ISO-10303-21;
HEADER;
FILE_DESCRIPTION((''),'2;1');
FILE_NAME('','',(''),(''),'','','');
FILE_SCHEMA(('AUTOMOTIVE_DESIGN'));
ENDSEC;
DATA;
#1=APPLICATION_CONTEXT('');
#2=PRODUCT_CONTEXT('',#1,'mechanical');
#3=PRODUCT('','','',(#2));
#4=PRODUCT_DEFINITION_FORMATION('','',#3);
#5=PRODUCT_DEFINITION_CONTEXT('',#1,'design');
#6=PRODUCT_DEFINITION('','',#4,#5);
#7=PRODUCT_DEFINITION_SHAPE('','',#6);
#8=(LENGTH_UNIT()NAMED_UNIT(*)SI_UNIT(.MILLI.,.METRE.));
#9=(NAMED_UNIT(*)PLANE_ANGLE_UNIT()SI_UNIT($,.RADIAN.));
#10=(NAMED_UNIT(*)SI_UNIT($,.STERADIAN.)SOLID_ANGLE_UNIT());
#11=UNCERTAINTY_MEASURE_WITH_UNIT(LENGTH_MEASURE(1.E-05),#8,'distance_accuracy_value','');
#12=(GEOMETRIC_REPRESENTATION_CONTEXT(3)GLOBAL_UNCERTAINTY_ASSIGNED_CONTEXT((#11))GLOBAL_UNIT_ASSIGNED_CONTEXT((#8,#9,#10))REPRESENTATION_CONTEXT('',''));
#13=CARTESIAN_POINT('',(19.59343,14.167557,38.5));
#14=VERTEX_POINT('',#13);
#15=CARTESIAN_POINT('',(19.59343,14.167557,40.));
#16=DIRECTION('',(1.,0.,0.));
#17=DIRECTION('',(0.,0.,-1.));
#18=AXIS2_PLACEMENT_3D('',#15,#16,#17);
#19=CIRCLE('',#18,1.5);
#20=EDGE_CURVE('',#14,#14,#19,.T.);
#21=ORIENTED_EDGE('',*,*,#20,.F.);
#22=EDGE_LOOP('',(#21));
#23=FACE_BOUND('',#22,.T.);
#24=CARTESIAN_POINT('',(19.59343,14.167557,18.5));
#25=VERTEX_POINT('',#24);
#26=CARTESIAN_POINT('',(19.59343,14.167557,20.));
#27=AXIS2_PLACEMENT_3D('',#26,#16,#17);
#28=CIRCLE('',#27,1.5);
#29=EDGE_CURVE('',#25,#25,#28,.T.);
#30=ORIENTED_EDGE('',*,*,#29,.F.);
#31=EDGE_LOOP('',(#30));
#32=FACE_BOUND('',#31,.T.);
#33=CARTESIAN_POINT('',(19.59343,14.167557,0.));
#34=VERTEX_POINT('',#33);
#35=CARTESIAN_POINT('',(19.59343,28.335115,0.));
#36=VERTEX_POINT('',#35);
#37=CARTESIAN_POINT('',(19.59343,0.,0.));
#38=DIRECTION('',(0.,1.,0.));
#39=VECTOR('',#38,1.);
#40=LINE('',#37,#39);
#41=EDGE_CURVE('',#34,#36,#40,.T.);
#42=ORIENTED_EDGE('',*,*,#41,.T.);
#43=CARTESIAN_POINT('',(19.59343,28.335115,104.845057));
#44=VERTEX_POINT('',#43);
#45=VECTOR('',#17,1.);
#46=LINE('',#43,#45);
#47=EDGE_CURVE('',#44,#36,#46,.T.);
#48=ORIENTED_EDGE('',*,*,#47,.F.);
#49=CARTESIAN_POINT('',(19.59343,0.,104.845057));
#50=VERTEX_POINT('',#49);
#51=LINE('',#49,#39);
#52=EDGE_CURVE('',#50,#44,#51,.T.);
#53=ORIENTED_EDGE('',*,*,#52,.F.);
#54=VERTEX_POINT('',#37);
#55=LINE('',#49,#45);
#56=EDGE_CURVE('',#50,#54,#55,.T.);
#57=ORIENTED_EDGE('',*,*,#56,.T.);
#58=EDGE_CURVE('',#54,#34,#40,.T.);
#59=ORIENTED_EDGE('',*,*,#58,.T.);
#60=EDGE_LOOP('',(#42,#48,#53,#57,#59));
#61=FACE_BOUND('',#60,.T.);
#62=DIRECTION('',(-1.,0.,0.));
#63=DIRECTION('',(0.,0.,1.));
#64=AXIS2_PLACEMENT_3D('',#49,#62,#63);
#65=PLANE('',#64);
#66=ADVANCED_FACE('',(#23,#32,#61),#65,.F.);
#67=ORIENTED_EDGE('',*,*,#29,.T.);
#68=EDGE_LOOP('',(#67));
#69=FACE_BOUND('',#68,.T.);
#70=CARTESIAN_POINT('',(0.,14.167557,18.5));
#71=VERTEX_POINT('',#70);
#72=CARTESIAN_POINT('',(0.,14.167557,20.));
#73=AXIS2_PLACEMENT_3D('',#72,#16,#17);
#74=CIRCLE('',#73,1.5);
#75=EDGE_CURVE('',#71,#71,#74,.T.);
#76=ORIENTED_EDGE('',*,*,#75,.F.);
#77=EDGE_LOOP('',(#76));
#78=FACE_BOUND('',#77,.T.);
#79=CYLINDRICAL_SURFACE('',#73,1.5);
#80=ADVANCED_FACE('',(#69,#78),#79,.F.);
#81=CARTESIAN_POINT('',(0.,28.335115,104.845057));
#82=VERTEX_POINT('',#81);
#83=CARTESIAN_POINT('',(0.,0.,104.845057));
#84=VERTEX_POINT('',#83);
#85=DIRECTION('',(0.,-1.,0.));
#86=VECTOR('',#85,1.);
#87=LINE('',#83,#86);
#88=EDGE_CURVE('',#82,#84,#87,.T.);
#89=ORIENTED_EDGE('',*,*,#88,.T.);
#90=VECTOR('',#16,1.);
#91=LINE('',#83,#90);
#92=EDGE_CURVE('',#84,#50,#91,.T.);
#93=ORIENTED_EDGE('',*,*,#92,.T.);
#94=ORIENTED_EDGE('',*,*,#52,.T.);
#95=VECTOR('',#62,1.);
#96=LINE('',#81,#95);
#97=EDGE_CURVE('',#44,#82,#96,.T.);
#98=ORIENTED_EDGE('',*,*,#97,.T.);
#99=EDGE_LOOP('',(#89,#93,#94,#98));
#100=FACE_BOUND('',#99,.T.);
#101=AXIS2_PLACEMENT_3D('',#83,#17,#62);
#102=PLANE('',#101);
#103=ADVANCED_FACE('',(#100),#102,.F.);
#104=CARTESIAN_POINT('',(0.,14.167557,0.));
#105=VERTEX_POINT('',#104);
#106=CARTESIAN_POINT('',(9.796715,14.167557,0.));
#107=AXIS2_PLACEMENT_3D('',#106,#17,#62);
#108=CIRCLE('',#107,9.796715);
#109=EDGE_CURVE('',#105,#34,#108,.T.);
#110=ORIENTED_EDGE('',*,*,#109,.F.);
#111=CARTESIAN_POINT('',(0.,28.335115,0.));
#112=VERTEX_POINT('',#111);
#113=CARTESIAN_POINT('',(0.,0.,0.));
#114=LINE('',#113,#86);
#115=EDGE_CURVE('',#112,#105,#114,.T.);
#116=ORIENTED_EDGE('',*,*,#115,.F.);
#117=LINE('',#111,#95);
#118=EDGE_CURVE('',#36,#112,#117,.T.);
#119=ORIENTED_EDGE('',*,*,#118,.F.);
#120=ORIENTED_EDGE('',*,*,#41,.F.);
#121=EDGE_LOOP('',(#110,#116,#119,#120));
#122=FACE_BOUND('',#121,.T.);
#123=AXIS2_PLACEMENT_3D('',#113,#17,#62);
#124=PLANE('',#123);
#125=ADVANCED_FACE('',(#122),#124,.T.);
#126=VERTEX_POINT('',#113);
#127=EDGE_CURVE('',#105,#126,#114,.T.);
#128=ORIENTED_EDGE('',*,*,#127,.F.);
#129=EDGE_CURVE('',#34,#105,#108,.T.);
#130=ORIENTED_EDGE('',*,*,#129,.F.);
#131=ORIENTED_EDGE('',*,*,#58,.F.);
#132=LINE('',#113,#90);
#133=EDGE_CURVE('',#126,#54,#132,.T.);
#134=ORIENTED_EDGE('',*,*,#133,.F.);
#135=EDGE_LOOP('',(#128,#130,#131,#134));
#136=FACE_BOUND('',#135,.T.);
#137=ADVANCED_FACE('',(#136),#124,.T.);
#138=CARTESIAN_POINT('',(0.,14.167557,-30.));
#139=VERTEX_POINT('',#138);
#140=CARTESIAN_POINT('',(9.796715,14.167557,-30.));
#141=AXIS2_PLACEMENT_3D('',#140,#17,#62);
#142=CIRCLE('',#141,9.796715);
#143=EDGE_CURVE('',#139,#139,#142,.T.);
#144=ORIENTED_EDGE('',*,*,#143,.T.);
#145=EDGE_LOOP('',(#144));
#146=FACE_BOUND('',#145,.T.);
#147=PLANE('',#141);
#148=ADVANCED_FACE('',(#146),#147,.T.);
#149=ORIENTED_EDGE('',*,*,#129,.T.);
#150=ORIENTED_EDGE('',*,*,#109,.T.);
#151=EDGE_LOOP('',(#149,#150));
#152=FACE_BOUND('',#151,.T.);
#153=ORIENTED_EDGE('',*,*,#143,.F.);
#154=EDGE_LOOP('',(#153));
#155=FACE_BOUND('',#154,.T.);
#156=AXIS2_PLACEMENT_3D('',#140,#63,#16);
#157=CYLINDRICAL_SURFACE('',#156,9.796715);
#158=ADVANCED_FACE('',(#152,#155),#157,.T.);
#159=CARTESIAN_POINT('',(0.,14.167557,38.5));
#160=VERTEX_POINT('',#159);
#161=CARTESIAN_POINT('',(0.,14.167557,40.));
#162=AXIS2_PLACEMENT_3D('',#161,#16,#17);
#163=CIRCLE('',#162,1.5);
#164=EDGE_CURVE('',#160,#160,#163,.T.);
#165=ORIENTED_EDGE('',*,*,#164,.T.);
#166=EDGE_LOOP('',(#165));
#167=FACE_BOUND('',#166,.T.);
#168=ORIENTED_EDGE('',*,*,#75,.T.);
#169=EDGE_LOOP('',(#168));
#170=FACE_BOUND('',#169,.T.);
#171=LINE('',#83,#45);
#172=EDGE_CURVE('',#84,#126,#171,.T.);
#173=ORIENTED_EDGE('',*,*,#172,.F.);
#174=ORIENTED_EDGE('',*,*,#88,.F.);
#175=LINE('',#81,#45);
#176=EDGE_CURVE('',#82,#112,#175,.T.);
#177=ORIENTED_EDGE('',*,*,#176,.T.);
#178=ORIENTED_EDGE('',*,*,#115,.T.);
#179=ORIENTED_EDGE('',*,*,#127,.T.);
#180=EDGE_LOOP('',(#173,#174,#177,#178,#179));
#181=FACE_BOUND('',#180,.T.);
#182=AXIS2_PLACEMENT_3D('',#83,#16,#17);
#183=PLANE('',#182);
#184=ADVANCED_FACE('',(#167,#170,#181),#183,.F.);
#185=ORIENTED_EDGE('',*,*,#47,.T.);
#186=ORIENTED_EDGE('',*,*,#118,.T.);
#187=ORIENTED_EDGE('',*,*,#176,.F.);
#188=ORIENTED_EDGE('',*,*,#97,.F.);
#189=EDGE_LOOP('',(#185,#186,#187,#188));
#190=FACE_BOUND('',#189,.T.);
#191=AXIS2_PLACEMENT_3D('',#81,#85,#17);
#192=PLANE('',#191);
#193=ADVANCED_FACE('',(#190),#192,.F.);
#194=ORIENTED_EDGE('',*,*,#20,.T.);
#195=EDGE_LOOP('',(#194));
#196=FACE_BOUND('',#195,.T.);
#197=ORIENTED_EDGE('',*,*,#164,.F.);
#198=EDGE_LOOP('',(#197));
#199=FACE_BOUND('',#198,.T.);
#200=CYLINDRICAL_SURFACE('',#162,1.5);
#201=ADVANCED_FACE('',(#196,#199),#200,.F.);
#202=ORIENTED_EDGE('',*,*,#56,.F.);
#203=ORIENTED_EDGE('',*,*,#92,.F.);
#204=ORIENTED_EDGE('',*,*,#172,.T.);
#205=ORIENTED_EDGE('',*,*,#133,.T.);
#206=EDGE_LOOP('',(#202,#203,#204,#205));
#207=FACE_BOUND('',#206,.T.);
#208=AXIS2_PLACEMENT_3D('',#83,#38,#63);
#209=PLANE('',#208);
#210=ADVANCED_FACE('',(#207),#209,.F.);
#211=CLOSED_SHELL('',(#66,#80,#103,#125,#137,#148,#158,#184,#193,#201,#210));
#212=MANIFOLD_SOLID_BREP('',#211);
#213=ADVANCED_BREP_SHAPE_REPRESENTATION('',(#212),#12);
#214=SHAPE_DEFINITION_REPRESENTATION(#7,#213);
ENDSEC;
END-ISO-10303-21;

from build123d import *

# Parameters (mm, degrees)
SKETCH1_W           = 19.59343046
SKETCH1_H           = 28.33511482
BOSS_EXTRUDE1_DEPTH = 104.84505691
SKETCH2_R           = 9.79671523
BOSS_EXTRUDE2_DEPTH = 30
SKETCH3_R           = 1.5
CUT_EXTRUDE1_DEPTH  = 111.359717323


with BuildPart() as part:
    # Sketch1 → Boss-Extrude1 (new body)
    with BuildSketch(Plane.XY):
        with Locations((9.79671523, 14.16755741)):
            Rectangle(SKETCH1_W, SKETCH1_H)
    extrude(amount=BOSS_EXTRUDE1_DEPTH)

    # Sketch2 → Boss-Extrude2 (add)
    with BuildSketch(Plane(origin=(0, 0, 0), x_dir=(-1, 0, 0), z_dir=(0, 0, -1))):
        with Locations((-9.79671523, 14.16755741)):
            Circle(SKETCH2_R)
    extrude(amount=BOSS_EXTRUDE2_DEPTH)

    # Sketch3 → Cut-Extrude1 (cut, through all)
    with BuildSketch(Plane(origin=(19.59343046, 0, 0), x_dir=(0, 0, -1), z_dir=(1, 0, 0))):
        with Locations((-20, 14.16755741)):
            Circle(SKETCH3_R)
        with Locations((-40, 14.16755741)):
            Circle(SKETCH3_R)
    extrude(amount=-CUT_EXTRUDE1_DEPTH, mode=Mode.SUBTRACT)


solid = part.part
